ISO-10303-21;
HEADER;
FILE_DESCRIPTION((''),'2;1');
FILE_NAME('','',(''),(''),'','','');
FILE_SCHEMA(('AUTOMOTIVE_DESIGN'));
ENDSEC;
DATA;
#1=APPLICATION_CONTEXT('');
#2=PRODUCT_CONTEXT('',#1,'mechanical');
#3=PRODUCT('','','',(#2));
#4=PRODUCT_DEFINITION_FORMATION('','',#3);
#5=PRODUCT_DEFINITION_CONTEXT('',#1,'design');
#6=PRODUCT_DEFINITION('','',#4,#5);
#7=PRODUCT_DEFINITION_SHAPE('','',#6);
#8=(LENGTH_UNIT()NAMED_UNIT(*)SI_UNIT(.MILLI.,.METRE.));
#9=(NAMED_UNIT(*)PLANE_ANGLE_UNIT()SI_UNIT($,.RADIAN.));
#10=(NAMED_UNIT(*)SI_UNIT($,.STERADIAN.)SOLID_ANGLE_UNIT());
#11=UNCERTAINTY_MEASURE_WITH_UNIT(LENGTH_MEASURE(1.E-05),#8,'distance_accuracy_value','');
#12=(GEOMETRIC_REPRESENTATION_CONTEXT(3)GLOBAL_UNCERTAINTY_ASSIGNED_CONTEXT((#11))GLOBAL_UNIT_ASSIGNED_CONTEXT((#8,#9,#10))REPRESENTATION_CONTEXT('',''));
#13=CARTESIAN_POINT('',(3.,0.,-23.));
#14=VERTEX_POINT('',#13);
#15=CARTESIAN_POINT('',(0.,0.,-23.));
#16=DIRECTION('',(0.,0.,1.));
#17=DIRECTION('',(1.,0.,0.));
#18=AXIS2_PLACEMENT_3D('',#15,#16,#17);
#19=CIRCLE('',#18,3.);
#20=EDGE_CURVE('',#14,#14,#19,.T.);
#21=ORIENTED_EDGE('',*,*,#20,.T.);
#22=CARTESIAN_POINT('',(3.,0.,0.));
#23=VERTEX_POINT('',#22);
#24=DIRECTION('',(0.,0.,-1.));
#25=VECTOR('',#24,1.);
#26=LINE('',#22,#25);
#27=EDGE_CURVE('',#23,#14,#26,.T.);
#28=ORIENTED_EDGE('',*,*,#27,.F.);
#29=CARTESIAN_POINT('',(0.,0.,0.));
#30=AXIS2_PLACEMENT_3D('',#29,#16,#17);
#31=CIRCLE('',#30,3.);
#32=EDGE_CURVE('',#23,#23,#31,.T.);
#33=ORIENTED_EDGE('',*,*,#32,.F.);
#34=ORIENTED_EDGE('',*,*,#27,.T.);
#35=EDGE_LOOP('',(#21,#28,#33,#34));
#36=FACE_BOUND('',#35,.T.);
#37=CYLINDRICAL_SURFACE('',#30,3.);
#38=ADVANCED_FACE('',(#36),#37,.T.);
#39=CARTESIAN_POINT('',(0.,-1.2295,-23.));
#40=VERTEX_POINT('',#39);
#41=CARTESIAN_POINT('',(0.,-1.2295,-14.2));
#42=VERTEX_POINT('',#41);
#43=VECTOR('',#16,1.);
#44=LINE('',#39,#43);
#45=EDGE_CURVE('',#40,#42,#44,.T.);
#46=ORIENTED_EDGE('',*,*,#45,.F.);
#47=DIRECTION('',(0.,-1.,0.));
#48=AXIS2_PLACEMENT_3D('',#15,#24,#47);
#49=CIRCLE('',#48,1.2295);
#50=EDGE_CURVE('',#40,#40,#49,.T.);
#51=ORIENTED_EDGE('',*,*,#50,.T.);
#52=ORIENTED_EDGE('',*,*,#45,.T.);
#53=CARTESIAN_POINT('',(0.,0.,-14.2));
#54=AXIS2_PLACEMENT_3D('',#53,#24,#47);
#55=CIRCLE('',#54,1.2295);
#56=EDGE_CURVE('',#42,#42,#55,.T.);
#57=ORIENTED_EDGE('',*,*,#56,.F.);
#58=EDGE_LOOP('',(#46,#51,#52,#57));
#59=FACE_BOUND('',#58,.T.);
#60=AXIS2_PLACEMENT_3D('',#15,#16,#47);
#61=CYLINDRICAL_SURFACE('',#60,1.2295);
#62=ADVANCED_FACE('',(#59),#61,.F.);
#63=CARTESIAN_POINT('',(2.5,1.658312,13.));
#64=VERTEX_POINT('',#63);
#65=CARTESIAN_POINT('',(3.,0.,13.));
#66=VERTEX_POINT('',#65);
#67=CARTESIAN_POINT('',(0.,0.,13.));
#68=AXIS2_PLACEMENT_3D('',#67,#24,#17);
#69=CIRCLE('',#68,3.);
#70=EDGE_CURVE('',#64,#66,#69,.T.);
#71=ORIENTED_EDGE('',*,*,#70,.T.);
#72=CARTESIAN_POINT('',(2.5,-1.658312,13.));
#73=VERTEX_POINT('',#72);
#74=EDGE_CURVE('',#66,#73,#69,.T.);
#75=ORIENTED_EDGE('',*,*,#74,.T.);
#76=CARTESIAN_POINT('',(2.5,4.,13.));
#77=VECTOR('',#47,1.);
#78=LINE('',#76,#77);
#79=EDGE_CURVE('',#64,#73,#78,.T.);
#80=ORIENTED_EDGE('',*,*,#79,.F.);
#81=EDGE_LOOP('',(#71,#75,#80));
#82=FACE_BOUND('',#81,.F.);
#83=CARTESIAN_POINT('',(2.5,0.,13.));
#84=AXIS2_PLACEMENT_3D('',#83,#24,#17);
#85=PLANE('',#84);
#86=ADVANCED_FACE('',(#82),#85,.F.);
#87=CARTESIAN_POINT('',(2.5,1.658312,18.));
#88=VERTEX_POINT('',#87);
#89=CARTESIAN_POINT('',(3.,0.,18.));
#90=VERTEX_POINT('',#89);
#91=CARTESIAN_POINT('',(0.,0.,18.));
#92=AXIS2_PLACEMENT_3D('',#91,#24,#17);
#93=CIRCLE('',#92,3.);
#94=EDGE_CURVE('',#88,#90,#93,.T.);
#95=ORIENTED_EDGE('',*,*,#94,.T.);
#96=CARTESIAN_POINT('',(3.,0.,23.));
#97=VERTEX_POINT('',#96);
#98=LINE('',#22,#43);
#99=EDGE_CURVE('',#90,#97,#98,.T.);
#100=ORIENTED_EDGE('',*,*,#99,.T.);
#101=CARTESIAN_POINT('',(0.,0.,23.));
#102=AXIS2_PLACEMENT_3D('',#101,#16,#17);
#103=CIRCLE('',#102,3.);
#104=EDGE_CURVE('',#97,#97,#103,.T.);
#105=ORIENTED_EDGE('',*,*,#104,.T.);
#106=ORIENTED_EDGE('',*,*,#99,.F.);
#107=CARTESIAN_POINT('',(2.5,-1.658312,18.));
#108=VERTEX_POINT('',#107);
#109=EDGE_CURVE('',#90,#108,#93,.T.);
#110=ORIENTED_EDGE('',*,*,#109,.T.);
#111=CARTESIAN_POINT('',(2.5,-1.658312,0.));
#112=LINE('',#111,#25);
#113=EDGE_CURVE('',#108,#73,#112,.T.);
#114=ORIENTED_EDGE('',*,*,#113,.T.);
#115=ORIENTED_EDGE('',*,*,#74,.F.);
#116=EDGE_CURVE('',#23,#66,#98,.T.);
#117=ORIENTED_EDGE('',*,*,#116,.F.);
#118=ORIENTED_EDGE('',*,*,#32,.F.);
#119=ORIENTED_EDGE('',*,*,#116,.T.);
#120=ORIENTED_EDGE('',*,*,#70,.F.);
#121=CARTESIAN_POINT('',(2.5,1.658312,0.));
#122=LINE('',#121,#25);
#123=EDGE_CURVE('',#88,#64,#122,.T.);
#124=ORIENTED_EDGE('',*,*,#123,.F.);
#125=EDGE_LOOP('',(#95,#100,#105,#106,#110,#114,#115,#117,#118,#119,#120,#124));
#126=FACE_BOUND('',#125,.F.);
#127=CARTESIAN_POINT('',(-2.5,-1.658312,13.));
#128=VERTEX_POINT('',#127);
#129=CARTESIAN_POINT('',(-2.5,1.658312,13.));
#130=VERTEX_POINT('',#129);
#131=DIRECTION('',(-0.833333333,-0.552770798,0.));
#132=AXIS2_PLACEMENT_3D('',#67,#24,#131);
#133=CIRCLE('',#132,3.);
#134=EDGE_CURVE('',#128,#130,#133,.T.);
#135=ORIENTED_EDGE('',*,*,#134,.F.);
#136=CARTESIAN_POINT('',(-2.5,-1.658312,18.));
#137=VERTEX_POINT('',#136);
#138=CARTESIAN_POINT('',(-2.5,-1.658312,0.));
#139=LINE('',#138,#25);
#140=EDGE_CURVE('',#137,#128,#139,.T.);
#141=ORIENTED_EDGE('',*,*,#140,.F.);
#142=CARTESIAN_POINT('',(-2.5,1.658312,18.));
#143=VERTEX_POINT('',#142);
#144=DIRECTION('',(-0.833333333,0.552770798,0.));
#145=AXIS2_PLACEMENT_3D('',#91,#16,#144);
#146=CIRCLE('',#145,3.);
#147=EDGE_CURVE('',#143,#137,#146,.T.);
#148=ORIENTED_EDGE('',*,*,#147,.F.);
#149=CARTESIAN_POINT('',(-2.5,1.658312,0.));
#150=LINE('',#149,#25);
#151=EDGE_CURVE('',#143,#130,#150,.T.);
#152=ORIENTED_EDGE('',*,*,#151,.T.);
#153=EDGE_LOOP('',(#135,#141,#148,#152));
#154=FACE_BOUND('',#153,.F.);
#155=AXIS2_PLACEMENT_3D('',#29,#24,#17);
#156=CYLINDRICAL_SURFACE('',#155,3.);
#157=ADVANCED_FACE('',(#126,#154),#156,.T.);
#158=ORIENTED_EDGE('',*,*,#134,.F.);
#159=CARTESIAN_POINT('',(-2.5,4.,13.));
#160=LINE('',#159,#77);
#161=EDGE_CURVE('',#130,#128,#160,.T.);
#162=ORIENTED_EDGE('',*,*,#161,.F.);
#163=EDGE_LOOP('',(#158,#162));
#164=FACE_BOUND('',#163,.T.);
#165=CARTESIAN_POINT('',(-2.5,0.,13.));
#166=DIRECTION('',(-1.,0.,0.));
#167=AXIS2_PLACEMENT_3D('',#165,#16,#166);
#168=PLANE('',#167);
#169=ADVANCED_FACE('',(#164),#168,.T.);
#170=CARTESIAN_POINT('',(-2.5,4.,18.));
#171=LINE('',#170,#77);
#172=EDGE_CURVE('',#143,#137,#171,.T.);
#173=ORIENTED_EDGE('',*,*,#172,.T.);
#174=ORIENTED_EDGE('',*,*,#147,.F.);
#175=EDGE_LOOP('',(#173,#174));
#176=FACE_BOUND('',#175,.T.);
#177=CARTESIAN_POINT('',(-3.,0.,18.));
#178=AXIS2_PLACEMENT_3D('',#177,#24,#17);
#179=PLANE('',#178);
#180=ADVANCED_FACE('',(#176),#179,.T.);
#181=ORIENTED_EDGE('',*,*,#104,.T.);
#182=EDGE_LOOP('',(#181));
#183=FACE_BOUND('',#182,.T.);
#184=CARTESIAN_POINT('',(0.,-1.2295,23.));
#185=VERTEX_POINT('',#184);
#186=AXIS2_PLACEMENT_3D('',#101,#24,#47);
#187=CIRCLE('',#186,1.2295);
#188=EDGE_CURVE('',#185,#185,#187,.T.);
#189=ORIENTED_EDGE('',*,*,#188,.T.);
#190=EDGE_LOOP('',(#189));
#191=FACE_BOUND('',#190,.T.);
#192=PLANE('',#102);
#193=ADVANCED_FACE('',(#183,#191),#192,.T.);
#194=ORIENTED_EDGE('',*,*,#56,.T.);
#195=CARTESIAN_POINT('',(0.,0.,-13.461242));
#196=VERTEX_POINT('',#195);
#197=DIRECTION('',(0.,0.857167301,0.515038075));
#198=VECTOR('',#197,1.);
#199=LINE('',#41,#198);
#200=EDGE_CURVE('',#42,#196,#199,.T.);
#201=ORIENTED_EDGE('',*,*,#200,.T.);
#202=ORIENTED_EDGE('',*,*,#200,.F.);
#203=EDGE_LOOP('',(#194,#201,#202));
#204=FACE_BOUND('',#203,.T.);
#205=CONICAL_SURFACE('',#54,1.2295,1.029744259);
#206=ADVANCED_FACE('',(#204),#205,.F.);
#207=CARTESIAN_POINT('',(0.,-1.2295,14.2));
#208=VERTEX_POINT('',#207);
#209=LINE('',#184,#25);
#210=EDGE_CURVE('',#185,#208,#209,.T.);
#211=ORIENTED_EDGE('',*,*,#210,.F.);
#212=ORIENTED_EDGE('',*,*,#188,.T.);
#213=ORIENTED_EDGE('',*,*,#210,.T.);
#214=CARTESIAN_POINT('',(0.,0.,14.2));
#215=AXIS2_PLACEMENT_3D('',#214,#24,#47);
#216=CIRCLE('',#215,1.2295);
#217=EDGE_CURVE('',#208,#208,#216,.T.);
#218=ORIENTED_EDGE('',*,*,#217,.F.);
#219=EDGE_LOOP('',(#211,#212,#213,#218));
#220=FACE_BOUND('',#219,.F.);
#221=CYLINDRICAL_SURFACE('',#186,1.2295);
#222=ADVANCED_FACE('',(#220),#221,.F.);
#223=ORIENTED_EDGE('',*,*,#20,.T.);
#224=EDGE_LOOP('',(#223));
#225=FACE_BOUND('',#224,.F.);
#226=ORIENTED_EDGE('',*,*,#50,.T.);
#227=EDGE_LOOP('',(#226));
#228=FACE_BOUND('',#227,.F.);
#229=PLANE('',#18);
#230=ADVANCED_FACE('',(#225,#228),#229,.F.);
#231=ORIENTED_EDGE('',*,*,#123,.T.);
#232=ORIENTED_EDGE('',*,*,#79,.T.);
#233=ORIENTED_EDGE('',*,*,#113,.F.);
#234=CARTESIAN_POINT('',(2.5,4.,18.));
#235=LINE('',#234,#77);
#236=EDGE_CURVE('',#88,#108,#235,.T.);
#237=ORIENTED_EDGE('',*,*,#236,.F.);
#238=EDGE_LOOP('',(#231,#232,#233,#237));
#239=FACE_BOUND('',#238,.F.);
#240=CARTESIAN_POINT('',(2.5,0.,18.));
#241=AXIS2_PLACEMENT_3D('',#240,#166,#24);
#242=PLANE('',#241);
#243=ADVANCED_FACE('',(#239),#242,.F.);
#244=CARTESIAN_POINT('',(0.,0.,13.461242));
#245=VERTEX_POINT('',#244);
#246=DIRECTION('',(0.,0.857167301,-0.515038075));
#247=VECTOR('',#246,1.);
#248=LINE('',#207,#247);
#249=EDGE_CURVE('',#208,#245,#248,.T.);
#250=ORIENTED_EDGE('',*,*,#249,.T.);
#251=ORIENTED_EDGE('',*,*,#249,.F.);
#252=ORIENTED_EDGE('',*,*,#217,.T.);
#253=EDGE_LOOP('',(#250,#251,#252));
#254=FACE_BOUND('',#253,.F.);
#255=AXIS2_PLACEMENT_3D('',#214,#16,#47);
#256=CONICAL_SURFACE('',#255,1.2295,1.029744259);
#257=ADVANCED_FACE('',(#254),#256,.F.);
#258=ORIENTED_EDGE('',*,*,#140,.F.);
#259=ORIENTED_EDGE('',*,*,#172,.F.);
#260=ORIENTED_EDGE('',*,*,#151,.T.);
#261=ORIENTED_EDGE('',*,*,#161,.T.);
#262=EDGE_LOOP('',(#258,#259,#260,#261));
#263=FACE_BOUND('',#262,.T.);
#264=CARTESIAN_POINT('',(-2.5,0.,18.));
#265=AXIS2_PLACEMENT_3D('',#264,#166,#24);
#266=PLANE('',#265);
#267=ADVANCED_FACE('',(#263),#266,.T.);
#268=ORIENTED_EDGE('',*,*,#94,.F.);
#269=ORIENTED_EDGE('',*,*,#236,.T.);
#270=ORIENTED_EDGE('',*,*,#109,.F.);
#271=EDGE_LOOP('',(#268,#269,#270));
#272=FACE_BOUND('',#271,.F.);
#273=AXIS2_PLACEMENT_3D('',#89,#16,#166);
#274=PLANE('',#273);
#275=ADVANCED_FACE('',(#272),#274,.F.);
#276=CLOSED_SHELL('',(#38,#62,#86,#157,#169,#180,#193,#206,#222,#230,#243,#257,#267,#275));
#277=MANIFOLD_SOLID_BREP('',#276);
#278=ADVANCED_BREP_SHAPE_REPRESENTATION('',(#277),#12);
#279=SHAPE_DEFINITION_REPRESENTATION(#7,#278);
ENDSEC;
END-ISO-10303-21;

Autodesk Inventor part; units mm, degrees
ref_plane "YZ Plane" through (0, 0, 0) normal (1, 0, 0) x (0, 1, 0)
ref_plane "XZ Plane" through (0, 0, 0) normal (0, 1, 0) x (-1, 0, 0)
ref_plane "XY Plane" through (0, 0, 0) normal (0, 0, 1) x (1, 0, 0)
sketch "Sketch1" plane through (0, 0, 0) normal (0, 0, 1) x (1, 0, 0)
  circle A0 centre (0, 0) radius 3
  dimension "d0" = 6
extrude "Extrusion1" add sketch "Sketch1" along normal mid plane 46
sketch "Sketch2" plane through (0, 0, 23) normal (0, 0, 1) x (1, 0, 0)
  point P0 (0, 0)
  point P1 (0, 0)
hole "Hole1" at (0, 0, 23) direction (0, 0, -1) diameter 2.459 depth 8.8 tip angle 118 thread size "M3x0.5" class "6H" standard "ANSI Metric M Profile"
sketch "Sketch3" plane through (0, 0, 0) normal (0, 1, 0) x (-1, 0, 0)
  line L0 (3, -23) -> (3, 23) projected
  line L1 (3, 18) -> (2.5, 18)
  line L2 (2.5, 18) -> (2.5, 13)
  line L3 (2.5, 13) -> (3, 13)
  line L4 (3, 13) -> (3, 18)
  line L5 (-3, 18) -> (-2.5, 18)
  line L6 (-2.5, 18) -> (-2.5, 13)
  line L7 (-2.5, 13) -> (-3, 13)
  line L8 (-3, 13) -> (-3, 18)
  line L9 (3, 23) -> (-3, 23) projected
  point P0 (0, 0)
  dimension "d10" = 0.5
  dimension "d11" = 5
  dimension "d12" = 0.5
  dimension "d16" = 5
  dimension "d19" = 5
  dimension "d20" = 6
  dimension "d21" = 6
extrude "Extrusion2" cut sketch "Sketch3" along normal through all both and the other way through all
mirror "Mirror1" about plane through (0, 0, 0) normal (0, 0, 1) of "Hole1"
equation "\"d10\" = d12"
equation "\"d20\" = d21"
properties part number "Top_Separator Weight 2" material "Aluminum 6061"
